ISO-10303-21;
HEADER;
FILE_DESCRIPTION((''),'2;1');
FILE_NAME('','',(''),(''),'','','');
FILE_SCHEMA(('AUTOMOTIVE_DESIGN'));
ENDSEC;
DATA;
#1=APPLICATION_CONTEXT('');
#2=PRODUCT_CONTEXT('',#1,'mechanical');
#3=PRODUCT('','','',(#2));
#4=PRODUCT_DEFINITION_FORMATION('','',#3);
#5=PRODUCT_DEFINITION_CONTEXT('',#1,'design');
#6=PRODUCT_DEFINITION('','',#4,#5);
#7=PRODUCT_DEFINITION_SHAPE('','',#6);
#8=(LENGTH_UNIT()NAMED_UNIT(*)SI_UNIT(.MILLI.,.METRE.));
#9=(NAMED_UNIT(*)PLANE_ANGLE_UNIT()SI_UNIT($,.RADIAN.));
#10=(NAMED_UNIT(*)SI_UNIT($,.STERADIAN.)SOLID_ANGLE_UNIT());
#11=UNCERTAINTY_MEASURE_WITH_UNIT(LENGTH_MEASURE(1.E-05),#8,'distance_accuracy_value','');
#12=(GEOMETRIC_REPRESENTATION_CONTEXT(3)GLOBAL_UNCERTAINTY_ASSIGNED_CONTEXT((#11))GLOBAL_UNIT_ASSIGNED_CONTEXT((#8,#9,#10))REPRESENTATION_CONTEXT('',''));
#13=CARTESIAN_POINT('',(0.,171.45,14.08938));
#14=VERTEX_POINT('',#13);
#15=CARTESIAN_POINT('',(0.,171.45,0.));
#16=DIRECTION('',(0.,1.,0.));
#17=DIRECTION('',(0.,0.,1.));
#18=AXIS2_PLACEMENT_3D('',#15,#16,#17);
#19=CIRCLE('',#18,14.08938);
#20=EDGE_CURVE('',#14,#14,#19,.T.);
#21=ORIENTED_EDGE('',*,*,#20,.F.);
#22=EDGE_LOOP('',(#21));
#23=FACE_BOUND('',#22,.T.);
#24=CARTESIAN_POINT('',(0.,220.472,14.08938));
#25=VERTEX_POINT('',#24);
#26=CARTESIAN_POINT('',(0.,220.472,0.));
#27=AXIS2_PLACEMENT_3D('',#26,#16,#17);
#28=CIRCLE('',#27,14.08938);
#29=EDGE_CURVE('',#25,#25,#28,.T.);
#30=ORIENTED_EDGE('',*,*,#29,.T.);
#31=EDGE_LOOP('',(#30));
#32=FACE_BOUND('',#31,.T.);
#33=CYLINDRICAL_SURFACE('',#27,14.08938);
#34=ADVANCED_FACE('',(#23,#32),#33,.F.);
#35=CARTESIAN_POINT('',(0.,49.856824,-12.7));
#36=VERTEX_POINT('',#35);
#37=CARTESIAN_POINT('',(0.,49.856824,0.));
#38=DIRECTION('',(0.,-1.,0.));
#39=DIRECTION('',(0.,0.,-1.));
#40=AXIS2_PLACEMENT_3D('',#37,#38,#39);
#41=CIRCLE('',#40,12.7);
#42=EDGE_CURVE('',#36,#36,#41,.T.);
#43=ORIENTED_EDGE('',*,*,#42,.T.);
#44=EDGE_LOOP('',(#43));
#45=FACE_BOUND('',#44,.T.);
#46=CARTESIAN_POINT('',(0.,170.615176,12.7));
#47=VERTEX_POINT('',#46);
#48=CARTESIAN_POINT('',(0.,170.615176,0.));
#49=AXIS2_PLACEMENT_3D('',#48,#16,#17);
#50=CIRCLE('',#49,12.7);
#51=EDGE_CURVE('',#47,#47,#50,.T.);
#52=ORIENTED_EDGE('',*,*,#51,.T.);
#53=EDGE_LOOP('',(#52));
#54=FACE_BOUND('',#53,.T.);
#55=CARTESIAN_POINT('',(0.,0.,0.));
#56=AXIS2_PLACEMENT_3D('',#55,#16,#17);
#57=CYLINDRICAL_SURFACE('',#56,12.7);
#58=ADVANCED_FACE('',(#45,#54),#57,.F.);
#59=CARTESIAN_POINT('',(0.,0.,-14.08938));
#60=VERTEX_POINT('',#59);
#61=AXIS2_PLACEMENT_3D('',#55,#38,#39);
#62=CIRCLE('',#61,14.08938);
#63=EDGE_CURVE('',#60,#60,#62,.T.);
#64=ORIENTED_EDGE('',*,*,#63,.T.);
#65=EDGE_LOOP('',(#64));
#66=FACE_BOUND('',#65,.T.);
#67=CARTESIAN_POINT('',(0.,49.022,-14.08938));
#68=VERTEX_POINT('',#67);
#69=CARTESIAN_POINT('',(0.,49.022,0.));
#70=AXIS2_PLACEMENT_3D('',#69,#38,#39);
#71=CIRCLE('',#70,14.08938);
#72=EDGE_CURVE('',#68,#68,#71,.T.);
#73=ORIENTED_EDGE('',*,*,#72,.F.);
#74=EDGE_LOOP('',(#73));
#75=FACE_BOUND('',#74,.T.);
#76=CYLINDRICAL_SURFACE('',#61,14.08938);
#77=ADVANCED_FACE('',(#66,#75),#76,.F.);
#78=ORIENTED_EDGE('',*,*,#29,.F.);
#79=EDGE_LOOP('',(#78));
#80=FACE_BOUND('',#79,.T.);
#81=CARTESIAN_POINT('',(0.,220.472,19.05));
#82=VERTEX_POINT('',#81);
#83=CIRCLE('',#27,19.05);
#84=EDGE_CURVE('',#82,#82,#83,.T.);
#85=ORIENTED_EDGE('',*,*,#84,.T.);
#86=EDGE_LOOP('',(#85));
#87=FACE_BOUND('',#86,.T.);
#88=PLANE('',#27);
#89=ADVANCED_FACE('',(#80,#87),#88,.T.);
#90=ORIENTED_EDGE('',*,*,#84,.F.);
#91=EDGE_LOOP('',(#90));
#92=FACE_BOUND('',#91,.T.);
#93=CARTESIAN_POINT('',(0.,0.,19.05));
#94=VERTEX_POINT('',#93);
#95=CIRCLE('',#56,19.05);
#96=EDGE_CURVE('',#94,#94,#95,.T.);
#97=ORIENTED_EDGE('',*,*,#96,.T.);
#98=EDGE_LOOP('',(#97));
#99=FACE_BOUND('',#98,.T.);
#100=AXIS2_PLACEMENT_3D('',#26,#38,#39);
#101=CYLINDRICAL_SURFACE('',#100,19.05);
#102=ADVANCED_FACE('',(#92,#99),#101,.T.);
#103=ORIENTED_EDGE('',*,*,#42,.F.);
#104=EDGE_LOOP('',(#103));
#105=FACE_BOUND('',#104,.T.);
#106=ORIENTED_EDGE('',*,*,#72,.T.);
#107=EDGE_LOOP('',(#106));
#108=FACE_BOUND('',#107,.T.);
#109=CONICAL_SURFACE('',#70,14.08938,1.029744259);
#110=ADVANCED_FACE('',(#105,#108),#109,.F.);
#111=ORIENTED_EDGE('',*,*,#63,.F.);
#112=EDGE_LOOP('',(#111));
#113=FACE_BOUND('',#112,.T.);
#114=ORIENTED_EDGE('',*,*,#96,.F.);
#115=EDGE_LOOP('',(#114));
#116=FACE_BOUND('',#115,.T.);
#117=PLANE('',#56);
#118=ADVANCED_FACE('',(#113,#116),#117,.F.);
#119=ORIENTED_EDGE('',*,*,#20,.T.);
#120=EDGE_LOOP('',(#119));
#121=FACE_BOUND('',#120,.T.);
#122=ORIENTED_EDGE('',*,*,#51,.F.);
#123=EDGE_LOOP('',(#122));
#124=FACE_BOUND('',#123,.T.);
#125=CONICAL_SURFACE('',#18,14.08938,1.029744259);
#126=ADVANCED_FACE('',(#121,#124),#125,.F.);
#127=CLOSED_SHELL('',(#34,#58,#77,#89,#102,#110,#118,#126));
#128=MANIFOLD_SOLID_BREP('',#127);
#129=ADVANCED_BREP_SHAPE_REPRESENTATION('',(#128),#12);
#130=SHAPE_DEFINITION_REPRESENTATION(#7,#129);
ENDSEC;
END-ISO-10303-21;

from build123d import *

# Parameters (mm, degrees)
SKETCH1_R                    = 19.05
BOSS_EXTRUDE1_DEPTH          = 220.472
SKETCH2_R                    = 12.7
CUT_EXTRUDE1_DEPTH           = 221.472
F_1_1_4_7_TAPPED_HOLE1_D     = 28.17876
F_1_1_4_7_TAPPED_HOLE1_DEPTH = 49.022
F_1_1_4_7_TAPPED_HOLE1_TIP   = 8.465753589
F_1_1_4_7_TAPPED_HOLE2_D     = 28.17876
F_1_1_4_7_TAPPED_HOLE2_DEPTH = 49.022
F_1_1_4_7_TAPPED_HOLE2_TIP   = 8.465753589


with BuildPart() as part:
    # Sketch1 → Boss-Extrude1 (new body)
    with BuildSketch(Plane(origin=(0, 0, 0), x_dir=(1, 0, 0), z_dir=(0, 1, 0))):
        Circle(SKETCH1_R)
    extrude(amount=BOSS_EXTRUDE1_DEPTH)

    # Sketch2 → Cut-Extrude1 (cut, through all)
    with BuildSketch(Plane(origin=(0, 220.472, 0), x_dir=(1, 0, 0), z_dir=(0, 1, 0))):
        Circle(SKETCH2_R)
    extrude(amount=-CUT_EXTRUDE1_DEPTH, mode=Mode.SUBTRACT)

    # 1-1/4-7 Tapped Hole1
    with Locations(Plane(origin=(0, 220.472, 0), x_dir=(1, 0, 0), z_dir=(0, 1, 0))):
        with Locations((0, 0)):
            Hole(F_1_1_4_7_TAPPED_HOLE1_D / 2, depth=F_1_1_4_7_TAPPED_HOLE1_DEPTH)
            with Locations((0, 0, -(F_1_1_4_7_TAPPED_HOLE1_DEPTH + F_1_1_4_7_TAPPED_HOLE1_TIP / 2))):  # 118° drill point
                Cone(0, F_1_1_4_7_TAPPED_HOLE1_D / 2, F_1_1_4_7_TAPPED_HOLE1_TIP, mode=Mode.SUBTRACT)

    # 1-1/4-7 Tapped Hole2
    with Locations(Plane(origin=(0, 0, 0), x_dir=(-1, 0, 0), z_dir=(0, -1, 0))):
        with Locations((0, 0)):
            Hole(F_1_1_4_7_TAPPED_HOLE2_D / 2, depth=F_1_1_4_7_TAPPED_HOLE2_DEPTH)
            with Locations((0, 0, -(F_1_1_4_7_TAPPED_HOLE2_DEPTH + F_1_1_4_7_TAPPED_HOLE2_TIP / 2))):  # 118° drill point
                Cone(0, F_1_1_4_7_TAPPED_HOLE2_D / 2, F_1_1_4_7_TAPPED_HOLE2_TIP, mode=Mode.SUBTRACT)


solid = part.part
